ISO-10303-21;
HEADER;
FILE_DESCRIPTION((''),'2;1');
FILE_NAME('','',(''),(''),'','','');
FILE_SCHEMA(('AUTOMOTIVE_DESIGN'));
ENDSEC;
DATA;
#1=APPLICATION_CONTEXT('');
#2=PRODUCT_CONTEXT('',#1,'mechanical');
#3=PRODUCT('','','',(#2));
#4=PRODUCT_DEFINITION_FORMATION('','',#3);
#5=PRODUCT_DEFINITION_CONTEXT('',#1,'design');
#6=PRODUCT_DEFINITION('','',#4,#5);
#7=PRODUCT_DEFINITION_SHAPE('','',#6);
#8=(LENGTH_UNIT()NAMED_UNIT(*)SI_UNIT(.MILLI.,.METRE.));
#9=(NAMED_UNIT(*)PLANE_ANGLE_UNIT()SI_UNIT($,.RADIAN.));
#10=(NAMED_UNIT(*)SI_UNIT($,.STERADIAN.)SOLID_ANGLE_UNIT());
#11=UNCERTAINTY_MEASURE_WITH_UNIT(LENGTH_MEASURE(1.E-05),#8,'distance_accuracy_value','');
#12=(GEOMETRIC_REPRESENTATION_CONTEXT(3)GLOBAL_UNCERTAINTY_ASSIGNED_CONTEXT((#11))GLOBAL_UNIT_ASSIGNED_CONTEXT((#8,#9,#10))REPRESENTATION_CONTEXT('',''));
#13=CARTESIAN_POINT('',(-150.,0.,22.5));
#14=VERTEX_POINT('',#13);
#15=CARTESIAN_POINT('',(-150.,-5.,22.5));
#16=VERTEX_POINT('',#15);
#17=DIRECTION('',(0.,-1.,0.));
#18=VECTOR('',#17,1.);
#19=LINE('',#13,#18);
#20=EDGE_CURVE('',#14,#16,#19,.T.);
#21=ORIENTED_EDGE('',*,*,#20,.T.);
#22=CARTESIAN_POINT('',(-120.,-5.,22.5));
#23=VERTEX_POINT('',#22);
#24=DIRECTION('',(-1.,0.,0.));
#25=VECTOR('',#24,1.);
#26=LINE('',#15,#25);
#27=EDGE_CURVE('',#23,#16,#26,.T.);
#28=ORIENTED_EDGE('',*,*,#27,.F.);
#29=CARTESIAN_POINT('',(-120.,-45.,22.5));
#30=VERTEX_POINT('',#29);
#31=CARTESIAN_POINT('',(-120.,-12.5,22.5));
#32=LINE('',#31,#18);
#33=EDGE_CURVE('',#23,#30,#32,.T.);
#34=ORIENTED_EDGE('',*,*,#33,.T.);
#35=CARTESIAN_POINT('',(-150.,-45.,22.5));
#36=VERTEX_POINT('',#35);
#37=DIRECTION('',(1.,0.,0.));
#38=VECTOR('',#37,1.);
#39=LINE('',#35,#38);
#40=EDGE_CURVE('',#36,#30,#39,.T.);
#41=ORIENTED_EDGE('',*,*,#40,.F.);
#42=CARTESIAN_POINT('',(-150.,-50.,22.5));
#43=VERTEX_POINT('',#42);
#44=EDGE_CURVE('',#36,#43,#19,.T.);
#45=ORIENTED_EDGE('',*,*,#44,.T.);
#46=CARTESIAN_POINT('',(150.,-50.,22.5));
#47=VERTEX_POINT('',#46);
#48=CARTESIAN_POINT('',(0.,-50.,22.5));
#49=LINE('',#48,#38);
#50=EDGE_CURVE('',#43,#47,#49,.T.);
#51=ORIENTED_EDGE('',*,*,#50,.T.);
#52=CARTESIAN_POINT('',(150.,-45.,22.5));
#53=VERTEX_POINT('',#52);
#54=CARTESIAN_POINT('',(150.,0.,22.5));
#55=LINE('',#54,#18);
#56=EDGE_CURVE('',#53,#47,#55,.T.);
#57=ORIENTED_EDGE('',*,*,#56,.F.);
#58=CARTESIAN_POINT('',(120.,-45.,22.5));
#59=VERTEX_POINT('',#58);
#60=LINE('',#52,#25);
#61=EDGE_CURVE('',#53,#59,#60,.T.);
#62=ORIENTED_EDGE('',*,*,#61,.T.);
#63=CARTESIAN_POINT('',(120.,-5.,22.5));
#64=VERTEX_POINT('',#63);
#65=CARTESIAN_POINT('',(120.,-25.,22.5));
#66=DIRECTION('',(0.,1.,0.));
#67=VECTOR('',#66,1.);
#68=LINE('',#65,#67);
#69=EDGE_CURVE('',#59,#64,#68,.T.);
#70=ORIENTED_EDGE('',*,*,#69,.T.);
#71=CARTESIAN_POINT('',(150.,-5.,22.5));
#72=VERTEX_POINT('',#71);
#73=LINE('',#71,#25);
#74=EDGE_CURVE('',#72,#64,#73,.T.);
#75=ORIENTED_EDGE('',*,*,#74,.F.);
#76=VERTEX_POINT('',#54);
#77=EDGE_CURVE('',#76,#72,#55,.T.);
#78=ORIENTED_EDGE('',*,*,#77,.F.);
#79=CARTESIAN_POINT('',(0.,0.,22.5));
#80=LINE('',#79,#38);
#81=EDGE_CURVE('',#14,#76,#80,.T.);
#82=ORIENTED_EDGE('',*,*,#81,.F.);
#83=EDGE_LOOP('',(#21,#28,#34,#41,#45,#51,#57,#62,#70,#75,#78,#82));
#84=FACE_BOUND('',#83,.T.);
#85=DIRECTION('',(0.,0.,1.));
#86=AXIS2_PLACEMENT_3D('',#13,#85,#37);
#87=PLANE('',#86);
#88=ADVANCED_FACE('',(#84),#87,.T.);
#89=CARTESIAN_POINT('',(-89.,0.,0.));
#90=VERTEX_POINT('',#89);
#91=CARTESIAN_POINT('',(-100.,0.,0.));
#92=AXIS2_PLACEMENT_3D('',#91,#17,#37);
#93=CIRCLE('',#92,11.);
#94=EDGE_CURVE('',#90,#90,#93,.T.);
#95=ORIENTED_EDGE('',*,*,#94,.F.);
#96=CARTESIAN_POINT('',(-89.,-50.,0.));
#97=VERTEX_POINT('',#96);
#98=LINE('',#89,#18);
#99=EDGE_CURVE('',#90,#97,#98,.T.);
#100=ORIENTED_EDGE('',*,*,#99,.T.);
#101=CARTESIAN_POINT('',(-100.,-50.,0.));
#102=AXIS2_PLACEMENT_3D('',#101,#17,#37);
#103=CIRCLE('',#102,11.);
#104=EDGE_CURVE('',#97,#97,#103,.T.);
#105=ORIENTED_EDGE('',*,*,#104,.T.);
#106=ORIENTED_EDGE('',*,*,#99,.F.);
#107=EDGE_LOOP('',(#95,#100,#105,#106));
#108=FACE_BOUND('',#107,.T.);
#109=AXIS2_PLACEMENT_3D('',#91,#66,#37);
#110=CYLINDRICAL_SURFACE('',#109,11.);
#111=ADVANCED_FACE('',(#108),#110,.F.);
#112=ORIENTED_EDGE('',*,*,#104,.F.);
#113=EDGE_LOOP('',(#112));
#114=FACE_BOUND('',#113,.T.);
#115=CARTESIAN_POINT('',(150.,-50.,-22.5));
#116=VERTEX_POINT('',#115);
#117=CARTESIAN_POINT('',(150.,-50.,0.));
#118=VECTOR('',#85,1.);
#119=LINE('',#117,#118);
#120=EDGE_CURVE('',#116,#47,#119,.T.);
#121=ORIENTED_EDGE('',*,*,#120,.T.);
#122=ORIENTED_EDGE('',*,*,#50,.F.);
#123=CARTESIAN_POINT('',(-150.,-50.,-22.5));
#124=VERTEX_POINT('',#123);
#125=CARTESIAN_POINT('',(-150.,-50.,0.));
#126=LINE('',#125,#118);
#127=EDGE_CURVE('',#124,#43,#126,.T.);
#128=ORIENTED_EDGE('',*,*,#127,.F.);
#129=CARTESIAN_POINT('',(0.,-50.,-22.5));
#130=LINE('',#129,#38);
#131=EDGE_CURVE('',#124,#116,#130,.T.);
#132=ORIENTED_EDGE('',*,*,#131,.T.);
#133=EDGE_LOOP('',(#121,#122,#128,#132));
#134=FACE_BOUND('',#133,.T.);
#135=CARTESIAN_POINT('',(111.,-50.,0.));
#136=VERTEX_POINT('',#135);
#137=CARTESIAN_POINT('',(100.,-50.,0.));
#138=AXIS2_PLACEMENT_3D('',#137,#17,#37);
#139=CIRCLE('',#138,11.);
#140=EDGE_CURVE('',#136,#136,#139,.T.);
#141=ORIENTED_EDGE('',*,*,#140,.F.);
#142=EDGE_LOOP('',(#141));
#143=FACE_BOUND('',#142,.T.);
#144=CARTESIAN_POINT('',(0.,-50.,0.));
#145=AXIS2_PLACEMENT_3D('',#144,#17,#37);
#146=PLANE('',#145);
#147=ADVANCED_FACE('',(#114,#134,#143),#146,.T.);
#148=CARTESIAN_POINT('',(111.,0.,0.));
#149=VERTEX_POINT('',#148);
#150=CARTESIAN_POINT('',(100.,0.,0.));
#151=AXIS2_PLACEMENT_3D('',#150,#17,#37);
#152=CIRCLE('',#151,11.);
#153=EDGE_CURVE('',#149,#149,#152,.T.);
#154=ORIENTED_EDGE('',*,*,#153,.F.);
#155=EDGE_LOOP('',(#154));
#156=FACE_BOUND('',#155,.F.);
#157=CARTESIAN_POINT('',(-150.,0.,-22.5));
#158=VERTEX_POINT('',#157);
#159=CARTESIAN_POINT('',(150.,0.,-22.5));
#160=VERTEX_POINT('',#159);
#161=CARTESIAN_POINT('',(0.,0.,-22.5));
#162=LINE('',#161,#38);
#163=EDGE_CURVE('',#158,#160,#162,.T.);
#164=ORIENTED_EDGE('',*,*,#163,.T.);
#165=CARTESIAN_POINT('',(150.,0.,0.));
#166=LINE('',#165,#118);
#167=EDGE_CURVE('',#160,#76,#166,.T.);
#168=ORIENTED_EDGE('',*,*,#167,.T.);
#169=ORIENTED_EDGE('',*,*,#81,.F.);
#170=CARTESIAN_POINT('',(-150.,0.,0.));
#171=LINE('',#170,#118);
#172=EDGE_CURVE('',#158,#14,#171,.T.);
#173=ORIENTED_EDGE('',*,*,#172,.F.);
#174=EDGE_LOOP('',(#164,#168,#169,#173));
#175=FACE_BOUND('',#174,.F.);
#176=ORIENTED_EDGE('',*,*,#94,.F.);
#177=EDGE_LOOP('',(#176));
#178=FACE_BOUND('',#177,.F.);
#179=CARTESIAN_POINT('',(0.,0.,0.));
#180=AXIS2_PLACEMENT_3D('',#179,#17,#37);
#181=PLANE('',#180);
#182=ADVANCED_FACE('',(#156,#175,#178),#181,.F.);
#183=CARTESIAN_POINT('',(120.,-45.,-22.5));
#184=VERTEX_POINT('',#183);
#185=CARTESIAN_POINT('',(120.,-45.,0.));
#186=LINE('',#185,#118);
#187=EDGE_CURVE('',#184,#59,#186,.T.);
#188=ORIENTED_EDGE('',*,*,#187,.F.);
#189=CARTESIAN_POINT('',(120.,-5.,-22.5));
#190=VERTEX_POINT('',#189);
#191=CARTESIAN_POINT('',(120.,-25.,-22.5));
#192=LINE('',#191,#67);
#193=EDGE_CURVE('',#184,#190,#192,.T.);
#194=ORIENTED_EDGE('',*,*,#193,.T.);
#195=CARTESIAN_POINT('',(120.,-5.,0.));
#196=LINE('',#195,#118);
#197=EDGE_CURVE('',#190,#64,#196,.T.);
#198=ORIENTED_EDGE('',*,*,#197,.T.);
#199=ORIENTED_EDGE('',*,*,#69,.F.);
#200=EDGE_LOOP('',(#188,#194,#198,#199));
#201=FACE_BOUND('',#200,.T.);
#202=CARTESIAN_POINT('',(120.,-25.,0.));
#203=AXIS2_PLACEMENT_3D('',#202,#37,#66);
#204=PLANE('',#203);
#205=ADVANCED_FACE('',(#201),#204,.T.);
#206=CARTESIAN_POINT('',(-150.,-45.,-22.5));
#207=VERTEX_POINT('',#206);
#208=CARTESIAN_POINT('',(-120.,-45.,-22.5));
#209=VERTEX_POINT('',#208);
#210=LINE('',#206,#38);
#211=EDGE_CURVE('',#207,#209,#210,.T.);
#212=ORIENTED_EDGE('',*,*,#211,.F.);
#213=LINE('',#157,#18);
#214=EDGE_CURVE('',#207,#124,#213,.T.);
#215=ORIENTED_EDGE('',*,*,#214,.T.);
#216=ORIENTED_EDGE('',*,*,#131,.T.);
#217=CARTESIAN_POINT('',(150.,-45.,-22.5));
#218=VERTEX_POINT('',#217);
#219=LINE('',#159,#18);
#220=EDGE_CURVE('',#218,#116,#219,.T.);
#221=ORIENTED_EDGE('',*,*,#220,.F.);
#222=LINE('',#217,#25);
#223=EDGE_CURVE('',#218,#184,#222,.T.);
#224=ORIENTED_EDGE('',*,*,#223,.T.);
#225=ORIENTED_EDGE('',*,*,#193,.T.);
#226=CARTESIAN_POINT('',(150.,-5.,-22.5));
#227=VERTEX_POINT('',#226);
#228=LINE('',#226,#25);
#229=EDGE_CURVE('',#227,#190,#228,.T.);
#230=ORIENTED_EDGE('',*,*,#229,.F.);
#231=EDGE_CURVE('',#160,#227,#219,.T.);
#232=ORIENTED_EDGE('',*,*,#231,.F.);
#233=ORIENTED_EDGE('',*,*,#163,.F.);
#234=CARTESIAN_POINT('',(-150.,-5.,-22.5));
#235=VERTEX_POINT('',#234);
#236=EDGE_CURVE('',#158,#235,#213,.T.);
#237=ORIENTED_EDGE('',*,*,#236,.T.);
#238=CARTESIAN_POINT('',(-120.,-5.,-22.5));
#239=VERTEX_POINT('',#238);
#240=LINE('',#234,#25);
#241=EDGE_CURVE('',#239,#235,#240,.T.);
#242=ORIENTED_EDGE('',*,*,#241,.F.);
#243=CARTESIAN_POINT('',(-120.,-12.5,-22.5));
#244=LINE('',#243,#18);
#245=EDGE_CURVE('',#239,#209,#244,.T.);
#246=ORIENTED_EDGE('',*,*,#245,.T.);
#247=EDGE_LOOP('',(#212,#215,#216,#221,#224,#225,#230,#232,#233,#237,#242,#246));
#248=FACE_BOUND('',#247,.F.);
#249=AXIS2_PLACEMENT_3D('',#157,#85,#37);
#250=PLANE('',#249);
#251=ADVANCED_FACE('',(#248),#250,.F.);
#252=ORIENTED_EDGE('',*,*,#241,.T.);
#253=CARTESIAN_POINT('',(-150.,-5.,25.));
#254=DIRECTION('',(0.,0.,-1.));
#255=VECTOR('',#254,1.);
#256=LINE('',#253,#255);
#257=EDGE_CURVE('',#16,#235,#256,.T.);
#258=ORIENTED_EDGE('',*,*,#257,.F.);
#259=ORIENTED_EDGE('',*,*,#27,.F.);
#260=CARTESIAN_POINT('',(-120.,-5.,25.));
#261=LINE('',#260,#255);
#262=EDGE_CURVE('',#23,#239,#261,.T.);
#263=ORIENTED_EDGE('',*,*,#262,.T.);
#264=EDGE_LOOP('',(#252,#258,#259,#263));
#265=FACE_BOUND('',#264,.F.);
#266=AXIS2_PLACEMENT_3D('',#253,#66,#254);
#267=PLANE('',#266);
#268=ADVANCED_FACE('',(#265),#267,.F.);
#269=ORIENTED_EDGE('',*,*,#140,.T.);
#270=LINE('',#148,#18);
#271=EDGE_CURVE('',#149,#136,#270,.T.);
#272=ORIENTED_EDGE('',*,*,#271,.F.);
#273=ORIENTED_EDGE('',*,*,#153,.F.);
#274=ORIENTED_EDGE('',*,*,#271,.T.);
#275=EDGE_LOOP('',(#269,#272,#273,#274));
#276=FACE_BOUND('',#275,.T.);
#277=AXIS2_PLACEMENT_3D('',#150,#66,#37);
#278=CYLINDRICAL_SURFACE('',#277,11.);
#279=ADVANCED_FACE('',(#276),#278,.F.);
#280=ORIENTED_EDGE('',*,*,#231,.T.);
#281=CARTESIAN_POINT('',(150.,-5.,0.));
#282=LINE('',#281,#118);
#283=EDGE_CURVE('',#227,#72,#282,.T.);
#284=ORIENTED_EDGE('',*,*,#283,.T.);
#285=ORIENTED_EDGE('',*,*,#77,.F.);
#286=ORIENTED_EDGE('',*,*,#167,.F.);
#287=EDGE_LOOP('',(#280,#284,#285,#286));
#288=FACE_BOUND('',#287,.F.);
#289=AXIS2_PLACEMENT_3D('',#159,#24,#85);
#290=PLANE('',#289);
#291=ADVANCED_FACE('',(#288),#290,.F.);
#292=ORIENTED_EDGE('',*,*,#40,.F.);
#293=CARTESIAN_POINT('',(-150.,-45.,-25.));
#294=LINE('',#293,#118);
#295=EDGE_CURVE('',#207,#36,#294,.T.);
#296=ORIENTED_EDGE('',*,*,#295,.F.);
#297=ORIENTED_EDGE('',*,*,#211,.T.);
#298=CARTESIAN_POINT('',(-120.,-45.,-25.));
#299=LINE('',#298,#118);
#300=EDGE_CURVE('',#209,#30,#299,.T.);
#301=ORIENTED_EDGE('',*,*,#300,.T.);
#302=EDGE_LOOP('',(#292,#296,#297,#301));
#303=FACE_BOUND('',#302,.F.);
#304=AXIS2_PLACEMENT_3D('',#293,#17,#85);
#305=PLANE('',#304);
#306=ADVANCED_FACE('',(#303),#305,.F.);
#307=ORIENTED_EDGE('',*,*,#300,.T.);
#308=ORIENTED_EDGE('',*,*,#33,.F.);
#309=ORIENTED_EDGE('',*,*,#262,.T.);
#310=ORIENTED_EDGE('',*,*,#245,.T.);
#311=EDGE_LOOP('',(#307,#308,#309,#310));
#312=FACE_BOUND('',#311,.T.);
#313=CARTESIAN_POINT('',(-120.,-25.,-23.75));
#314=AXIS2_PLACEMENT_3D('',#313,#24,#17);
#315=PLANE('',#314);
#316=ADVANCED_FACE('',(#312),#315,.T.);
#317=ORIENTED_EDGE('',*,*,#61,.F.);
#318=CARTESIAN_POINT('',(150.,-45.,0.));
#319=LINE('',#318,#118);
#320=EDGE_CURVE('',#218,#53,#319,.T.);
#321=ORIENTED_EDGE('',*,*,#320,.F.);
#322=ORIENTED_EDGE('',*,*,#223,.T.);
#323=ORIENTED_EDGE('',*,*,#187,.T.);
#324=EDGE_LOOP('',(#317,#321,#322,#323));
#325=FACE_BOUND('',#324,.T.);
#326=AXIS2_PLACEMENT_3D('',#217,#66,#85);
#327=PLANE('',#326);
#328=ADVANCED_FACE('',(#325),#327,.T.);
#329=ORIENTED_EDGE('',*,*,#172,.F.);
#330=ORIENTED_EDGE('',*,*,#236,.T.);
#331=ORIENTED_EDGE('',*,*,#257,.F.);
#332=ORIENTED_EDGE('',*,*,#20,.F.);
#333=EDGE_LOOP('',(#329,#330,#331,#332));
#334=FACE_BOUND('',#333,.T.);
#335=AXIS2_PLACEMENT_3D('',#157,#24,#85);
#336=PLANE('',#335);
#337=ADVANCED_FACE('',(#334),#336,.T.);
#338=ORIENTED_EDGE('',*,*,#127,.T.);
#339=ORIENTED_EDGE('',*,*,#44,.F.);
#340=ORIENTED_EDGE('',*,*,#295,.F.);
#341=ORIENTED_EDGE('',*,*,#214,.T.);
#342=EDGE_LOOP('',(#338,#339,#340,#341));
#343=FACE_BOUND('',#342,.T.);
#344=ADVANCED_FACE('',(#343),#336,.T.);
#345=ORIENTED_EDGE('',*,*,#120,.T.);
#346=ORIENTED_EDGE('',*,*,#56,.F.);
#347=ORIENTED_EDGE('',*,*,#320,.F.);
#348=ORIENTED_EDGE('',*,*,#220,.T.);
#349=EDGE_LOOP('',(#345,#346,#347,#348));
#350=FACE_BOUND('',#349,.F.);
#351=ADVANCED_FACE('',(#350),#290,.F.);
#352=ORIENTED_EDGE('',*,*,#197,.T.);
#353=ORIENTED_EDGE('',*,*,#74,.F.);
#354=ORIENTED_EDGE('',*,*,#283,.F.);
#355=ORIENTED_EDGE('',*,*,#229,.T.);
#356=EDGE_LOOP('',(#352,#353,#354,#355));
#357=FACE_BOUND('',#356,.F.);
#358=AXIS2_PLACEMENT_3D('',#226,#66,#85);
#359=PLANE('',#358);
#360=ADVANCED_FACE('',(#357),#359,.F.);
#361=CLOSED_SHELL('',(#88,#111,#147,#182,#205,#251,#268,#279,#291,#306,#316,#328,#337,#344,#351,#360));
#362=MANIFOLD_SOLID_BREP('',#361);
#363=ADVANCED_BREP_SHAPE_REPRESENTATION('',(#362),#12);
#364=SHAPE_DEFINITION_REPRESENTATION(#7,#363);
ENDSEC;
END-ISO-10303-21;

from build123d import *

# Parameters (mm, degrees)
F0_W     = 300
F0_H     = 45
F0_R     = 11
F1_DEPTH = 50
F2_W     = 40
F2_H     = 2.5
F2_H_2   = 45
F3_DEPTH = 30
F4_W     = 40
F4_H     = 45
F5_DEPTH = 30


with BuildPart() as f1:
    # F0 (on Front) → F1 (new body)
    with BuildSketch(Plane.XZ):
        Rectangle(F0_W, F0_H)
        with Locations((-100, 0)):
            Circle(F0_R, mode=Mode.SUBTRACT)
        with Locations((100, 0)):
            Circle(F0_R, mode=Mode.SUBTRACT)
    extrude(amount=F1_DEPTH)

    # F2 (on face) → F3 (cut)
    with BuildSketch(Plane(origin=(-150, 0, 0), x_dir=(0, -1, 0), z_dir=(-1, 0, 0))):
        with Locations((25, -23.75)):
            Rectangle(F2_W, F2_H)
        with Locations((25, 23.75)):
            Rectangle(F2_W, F2_H)
        with Locations((25, 0)):
            Rectangle(F2_W, F2_H_2)
    extrude(amount=-F3_DEPTH, mode=Mode.SUBTRACT)

    # F4 (on face) → F5 (cut)
    with BuildSketch(Plane.YZ.offset(150)):
        with Locations((-25, 0)):
            Rectangle(F4_W, F4_H)
    extrude(amount=-F5_DEPTH, mode=Mode.SUBTRACT)


solid = f1.part
